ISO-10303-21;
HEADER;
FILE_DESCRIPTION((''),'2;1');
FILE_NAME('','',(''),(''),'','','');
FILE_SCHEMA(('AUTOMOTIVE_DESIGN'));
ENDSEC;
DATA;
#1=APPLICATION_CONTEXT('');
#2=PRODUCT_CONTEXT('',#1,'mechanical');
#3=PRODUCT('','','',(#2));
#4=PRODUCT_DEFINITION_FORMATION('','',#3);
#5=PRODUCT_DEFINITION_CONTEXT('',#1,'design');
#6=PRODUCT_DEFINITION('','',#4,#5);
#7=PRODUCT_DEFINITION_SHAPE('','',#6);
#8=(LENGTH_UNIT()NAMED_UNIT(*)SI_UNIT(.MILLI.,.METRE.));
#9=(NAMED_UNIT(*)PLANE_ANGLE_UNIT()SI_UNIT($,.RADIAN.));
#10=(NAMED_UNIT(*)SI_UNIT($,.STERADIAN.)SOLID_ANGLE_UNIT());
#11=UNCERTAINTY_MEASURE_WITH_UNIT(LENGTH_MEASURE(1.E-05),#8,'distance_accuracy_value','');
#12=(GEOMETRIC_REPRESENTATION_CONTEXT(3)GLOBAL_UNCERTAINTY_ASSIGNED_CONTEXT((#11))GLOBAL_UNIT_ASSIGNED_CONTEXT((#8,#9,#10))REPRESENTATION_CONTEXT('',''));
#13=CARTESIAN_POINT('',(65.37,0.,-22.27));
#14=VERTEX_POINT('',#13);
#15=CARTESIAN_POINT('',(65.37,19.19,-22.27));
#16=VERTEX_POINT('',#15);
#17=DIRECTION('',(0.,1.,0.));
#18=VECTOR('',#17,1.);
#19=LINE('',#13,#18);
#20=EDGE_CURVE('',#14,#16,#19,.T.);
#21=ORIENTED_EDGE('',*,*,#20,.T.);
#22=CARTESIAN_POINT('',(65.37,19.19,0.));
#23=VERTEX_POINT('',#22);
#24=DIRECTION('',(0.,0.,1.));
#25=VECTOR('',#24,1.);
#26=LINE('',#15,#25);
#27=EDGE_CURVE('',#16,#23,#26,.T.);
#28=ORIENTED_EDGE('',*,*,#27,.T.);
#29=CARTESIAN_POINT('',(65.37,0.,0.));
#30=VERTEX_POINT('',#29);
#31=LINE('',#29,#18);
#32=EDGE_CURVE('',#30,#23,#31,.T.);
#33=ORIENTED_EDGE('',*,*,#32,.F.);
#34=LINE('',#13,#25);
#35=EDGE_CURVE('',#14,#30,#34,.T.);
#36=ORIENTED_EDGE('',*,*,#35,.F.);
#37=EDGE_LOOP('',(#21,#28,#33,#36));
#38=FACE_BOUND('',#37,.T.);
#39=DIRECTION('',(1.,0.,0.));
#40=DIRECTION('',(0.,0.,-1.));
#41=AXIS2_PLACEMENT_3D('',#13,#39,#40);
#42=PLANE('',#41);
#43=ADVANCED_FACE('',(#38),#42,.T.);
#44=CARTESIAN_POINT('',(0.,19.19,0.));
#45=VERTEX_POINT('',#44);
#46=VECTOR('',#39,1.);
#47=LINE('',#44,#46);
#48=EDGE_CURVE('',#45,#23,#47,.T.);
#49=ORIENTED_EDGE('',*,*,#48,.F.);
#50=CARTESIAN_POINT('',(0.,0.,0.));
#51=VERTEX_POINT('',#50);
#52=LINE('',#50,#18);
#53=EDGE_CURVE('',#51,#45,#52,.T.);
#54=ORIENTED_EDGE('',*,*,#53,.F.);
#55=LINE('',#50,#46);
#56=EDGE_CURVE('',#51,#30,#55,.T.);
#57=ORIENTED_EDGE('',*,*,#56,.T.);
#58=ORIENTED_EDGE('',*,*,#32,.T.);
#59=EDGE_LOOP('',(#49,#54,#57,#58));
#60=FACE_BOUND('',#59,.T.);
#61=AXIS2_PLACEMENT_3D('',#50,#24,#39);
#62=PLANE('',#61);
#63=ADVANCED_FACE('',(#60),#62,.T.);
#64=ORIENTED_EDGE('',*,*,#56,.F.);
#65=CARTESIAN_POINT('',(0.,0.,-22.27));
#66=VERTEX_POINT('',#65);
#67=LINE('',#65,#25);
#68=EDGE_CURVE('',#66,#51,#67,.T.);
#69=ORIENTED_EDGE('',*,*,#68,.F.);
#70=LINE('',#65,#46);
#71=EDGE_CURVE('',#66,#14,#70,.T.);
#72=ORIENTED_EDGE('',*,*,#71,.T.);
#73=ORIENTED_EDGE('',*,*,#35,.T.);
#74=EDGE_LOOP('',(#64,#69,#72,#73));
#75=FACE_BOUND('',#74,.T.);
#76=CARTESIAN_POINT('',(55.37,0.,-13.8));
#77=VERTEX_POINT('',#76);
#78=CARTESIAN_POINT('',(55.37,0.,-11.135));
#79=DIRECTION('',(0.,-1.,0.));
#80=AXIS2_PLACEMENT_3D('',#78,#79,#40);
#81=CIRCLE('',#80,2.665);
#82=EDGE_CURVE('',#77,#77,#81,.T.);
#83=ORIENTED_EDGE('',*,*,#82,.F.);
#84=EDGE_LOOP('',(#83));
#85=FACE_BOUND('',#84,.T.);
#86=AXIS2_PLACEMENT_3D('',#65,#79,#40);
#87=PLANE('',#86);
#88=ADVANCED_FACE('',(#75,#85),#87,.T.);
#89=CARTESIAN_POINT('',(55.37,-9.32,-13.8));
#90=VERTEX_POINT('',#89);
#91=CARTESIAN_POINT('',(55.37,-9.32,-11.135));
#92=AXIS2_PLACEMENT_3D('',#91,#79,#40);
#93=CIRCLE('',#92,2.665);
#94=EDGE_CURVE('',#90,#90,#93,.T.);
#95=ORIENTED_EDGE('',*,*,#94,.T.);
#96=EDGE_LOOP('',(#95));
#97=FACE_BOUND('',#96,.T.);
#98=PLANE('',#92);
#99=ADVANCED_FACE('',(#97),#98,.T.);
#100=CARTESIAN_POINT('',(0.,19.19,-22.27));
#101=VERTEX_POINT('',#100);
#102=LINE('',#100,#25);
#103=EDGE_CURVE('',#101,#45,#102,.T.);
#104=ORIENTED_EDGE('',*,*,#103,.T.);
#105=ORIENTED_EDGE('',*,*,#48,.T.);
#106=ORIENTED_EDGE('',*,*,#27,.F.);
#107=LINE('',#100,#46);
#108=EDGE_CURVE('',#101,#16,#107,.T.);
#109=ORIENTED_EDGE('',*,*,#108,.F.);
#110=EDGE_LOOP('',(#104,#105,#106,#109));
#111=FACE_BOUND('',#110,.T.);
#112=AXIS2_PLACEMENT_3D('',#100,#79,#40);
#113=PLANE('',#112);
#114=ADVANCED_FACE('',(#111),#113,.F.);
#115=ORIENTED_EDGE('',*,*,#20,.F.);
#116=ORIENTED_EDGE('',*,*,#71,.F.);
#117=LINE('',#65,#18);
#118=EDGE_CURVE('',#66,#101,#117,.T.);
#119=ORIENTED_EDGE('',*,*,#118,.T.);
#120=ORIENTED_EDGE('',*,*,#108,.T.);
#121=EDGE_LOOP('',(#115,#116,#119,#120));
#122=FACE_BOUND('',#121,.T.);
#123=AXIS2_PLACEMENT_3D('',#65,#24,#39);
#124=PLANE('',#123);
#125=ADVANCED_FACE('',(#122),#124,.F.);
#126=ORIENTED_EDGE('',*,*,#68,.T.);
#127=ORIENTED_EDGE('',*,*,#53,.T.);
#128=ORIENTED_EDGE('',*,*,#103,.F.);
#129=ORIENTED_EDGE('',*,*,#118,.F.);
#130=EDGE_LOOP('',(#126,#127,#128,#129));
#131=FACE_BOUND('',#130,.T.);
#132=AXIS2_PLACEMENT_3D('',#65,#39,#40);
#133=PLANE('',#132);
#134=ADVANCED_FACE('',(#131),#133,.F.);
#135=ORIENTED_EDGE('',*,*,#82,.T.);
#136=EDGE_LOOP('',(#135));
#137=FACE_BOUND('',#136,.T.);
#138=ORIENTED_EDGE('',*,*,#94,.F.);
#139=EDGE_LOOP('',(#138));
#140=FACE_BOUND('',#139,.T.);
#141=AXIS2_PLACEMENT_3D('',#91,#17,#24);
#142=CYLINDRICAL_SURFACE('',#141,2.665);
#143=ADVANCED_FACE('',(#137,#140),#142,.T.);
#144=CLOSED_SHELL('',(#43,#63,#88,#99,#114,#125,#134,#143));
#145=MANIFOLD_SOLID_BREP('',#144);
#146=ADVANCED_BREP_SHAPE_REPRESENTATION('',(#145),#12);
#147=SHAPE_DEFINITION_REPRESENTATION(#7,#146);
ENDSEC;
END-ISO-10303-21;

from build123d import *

# Parameters (mm, degrees)
SKETCH1_W           = 65.37
SKETCH1_H           = 19.19
BOSS_EXTRUDE1_DEPTH = 22.27
SKETCH2_R           = 2.665
BOSS_EXTRUDE2_DEPTH = 9.32


with BuildPart() as part:
    # Sketch1 → Boss-Extrude1 (new body)
    with BuildSketch(Plane.XY):
        with Locations((32.685, 9.595)):
            Rectangle(SKETCH1_W, SKETCH1_H)
    extrude(amount=-BOSS_EXTRUDE1_DEPTH)

    # Sketch2 → Boss-Extrude2 (add)
    with BuildSketch(Plane.XZ):
        with Locations((55.37, -11.135)):
            Circle(SKETCH2_R)
    extrude(amount=BOSS_EXTRUDE2_DEPTH)


solid = part.part
